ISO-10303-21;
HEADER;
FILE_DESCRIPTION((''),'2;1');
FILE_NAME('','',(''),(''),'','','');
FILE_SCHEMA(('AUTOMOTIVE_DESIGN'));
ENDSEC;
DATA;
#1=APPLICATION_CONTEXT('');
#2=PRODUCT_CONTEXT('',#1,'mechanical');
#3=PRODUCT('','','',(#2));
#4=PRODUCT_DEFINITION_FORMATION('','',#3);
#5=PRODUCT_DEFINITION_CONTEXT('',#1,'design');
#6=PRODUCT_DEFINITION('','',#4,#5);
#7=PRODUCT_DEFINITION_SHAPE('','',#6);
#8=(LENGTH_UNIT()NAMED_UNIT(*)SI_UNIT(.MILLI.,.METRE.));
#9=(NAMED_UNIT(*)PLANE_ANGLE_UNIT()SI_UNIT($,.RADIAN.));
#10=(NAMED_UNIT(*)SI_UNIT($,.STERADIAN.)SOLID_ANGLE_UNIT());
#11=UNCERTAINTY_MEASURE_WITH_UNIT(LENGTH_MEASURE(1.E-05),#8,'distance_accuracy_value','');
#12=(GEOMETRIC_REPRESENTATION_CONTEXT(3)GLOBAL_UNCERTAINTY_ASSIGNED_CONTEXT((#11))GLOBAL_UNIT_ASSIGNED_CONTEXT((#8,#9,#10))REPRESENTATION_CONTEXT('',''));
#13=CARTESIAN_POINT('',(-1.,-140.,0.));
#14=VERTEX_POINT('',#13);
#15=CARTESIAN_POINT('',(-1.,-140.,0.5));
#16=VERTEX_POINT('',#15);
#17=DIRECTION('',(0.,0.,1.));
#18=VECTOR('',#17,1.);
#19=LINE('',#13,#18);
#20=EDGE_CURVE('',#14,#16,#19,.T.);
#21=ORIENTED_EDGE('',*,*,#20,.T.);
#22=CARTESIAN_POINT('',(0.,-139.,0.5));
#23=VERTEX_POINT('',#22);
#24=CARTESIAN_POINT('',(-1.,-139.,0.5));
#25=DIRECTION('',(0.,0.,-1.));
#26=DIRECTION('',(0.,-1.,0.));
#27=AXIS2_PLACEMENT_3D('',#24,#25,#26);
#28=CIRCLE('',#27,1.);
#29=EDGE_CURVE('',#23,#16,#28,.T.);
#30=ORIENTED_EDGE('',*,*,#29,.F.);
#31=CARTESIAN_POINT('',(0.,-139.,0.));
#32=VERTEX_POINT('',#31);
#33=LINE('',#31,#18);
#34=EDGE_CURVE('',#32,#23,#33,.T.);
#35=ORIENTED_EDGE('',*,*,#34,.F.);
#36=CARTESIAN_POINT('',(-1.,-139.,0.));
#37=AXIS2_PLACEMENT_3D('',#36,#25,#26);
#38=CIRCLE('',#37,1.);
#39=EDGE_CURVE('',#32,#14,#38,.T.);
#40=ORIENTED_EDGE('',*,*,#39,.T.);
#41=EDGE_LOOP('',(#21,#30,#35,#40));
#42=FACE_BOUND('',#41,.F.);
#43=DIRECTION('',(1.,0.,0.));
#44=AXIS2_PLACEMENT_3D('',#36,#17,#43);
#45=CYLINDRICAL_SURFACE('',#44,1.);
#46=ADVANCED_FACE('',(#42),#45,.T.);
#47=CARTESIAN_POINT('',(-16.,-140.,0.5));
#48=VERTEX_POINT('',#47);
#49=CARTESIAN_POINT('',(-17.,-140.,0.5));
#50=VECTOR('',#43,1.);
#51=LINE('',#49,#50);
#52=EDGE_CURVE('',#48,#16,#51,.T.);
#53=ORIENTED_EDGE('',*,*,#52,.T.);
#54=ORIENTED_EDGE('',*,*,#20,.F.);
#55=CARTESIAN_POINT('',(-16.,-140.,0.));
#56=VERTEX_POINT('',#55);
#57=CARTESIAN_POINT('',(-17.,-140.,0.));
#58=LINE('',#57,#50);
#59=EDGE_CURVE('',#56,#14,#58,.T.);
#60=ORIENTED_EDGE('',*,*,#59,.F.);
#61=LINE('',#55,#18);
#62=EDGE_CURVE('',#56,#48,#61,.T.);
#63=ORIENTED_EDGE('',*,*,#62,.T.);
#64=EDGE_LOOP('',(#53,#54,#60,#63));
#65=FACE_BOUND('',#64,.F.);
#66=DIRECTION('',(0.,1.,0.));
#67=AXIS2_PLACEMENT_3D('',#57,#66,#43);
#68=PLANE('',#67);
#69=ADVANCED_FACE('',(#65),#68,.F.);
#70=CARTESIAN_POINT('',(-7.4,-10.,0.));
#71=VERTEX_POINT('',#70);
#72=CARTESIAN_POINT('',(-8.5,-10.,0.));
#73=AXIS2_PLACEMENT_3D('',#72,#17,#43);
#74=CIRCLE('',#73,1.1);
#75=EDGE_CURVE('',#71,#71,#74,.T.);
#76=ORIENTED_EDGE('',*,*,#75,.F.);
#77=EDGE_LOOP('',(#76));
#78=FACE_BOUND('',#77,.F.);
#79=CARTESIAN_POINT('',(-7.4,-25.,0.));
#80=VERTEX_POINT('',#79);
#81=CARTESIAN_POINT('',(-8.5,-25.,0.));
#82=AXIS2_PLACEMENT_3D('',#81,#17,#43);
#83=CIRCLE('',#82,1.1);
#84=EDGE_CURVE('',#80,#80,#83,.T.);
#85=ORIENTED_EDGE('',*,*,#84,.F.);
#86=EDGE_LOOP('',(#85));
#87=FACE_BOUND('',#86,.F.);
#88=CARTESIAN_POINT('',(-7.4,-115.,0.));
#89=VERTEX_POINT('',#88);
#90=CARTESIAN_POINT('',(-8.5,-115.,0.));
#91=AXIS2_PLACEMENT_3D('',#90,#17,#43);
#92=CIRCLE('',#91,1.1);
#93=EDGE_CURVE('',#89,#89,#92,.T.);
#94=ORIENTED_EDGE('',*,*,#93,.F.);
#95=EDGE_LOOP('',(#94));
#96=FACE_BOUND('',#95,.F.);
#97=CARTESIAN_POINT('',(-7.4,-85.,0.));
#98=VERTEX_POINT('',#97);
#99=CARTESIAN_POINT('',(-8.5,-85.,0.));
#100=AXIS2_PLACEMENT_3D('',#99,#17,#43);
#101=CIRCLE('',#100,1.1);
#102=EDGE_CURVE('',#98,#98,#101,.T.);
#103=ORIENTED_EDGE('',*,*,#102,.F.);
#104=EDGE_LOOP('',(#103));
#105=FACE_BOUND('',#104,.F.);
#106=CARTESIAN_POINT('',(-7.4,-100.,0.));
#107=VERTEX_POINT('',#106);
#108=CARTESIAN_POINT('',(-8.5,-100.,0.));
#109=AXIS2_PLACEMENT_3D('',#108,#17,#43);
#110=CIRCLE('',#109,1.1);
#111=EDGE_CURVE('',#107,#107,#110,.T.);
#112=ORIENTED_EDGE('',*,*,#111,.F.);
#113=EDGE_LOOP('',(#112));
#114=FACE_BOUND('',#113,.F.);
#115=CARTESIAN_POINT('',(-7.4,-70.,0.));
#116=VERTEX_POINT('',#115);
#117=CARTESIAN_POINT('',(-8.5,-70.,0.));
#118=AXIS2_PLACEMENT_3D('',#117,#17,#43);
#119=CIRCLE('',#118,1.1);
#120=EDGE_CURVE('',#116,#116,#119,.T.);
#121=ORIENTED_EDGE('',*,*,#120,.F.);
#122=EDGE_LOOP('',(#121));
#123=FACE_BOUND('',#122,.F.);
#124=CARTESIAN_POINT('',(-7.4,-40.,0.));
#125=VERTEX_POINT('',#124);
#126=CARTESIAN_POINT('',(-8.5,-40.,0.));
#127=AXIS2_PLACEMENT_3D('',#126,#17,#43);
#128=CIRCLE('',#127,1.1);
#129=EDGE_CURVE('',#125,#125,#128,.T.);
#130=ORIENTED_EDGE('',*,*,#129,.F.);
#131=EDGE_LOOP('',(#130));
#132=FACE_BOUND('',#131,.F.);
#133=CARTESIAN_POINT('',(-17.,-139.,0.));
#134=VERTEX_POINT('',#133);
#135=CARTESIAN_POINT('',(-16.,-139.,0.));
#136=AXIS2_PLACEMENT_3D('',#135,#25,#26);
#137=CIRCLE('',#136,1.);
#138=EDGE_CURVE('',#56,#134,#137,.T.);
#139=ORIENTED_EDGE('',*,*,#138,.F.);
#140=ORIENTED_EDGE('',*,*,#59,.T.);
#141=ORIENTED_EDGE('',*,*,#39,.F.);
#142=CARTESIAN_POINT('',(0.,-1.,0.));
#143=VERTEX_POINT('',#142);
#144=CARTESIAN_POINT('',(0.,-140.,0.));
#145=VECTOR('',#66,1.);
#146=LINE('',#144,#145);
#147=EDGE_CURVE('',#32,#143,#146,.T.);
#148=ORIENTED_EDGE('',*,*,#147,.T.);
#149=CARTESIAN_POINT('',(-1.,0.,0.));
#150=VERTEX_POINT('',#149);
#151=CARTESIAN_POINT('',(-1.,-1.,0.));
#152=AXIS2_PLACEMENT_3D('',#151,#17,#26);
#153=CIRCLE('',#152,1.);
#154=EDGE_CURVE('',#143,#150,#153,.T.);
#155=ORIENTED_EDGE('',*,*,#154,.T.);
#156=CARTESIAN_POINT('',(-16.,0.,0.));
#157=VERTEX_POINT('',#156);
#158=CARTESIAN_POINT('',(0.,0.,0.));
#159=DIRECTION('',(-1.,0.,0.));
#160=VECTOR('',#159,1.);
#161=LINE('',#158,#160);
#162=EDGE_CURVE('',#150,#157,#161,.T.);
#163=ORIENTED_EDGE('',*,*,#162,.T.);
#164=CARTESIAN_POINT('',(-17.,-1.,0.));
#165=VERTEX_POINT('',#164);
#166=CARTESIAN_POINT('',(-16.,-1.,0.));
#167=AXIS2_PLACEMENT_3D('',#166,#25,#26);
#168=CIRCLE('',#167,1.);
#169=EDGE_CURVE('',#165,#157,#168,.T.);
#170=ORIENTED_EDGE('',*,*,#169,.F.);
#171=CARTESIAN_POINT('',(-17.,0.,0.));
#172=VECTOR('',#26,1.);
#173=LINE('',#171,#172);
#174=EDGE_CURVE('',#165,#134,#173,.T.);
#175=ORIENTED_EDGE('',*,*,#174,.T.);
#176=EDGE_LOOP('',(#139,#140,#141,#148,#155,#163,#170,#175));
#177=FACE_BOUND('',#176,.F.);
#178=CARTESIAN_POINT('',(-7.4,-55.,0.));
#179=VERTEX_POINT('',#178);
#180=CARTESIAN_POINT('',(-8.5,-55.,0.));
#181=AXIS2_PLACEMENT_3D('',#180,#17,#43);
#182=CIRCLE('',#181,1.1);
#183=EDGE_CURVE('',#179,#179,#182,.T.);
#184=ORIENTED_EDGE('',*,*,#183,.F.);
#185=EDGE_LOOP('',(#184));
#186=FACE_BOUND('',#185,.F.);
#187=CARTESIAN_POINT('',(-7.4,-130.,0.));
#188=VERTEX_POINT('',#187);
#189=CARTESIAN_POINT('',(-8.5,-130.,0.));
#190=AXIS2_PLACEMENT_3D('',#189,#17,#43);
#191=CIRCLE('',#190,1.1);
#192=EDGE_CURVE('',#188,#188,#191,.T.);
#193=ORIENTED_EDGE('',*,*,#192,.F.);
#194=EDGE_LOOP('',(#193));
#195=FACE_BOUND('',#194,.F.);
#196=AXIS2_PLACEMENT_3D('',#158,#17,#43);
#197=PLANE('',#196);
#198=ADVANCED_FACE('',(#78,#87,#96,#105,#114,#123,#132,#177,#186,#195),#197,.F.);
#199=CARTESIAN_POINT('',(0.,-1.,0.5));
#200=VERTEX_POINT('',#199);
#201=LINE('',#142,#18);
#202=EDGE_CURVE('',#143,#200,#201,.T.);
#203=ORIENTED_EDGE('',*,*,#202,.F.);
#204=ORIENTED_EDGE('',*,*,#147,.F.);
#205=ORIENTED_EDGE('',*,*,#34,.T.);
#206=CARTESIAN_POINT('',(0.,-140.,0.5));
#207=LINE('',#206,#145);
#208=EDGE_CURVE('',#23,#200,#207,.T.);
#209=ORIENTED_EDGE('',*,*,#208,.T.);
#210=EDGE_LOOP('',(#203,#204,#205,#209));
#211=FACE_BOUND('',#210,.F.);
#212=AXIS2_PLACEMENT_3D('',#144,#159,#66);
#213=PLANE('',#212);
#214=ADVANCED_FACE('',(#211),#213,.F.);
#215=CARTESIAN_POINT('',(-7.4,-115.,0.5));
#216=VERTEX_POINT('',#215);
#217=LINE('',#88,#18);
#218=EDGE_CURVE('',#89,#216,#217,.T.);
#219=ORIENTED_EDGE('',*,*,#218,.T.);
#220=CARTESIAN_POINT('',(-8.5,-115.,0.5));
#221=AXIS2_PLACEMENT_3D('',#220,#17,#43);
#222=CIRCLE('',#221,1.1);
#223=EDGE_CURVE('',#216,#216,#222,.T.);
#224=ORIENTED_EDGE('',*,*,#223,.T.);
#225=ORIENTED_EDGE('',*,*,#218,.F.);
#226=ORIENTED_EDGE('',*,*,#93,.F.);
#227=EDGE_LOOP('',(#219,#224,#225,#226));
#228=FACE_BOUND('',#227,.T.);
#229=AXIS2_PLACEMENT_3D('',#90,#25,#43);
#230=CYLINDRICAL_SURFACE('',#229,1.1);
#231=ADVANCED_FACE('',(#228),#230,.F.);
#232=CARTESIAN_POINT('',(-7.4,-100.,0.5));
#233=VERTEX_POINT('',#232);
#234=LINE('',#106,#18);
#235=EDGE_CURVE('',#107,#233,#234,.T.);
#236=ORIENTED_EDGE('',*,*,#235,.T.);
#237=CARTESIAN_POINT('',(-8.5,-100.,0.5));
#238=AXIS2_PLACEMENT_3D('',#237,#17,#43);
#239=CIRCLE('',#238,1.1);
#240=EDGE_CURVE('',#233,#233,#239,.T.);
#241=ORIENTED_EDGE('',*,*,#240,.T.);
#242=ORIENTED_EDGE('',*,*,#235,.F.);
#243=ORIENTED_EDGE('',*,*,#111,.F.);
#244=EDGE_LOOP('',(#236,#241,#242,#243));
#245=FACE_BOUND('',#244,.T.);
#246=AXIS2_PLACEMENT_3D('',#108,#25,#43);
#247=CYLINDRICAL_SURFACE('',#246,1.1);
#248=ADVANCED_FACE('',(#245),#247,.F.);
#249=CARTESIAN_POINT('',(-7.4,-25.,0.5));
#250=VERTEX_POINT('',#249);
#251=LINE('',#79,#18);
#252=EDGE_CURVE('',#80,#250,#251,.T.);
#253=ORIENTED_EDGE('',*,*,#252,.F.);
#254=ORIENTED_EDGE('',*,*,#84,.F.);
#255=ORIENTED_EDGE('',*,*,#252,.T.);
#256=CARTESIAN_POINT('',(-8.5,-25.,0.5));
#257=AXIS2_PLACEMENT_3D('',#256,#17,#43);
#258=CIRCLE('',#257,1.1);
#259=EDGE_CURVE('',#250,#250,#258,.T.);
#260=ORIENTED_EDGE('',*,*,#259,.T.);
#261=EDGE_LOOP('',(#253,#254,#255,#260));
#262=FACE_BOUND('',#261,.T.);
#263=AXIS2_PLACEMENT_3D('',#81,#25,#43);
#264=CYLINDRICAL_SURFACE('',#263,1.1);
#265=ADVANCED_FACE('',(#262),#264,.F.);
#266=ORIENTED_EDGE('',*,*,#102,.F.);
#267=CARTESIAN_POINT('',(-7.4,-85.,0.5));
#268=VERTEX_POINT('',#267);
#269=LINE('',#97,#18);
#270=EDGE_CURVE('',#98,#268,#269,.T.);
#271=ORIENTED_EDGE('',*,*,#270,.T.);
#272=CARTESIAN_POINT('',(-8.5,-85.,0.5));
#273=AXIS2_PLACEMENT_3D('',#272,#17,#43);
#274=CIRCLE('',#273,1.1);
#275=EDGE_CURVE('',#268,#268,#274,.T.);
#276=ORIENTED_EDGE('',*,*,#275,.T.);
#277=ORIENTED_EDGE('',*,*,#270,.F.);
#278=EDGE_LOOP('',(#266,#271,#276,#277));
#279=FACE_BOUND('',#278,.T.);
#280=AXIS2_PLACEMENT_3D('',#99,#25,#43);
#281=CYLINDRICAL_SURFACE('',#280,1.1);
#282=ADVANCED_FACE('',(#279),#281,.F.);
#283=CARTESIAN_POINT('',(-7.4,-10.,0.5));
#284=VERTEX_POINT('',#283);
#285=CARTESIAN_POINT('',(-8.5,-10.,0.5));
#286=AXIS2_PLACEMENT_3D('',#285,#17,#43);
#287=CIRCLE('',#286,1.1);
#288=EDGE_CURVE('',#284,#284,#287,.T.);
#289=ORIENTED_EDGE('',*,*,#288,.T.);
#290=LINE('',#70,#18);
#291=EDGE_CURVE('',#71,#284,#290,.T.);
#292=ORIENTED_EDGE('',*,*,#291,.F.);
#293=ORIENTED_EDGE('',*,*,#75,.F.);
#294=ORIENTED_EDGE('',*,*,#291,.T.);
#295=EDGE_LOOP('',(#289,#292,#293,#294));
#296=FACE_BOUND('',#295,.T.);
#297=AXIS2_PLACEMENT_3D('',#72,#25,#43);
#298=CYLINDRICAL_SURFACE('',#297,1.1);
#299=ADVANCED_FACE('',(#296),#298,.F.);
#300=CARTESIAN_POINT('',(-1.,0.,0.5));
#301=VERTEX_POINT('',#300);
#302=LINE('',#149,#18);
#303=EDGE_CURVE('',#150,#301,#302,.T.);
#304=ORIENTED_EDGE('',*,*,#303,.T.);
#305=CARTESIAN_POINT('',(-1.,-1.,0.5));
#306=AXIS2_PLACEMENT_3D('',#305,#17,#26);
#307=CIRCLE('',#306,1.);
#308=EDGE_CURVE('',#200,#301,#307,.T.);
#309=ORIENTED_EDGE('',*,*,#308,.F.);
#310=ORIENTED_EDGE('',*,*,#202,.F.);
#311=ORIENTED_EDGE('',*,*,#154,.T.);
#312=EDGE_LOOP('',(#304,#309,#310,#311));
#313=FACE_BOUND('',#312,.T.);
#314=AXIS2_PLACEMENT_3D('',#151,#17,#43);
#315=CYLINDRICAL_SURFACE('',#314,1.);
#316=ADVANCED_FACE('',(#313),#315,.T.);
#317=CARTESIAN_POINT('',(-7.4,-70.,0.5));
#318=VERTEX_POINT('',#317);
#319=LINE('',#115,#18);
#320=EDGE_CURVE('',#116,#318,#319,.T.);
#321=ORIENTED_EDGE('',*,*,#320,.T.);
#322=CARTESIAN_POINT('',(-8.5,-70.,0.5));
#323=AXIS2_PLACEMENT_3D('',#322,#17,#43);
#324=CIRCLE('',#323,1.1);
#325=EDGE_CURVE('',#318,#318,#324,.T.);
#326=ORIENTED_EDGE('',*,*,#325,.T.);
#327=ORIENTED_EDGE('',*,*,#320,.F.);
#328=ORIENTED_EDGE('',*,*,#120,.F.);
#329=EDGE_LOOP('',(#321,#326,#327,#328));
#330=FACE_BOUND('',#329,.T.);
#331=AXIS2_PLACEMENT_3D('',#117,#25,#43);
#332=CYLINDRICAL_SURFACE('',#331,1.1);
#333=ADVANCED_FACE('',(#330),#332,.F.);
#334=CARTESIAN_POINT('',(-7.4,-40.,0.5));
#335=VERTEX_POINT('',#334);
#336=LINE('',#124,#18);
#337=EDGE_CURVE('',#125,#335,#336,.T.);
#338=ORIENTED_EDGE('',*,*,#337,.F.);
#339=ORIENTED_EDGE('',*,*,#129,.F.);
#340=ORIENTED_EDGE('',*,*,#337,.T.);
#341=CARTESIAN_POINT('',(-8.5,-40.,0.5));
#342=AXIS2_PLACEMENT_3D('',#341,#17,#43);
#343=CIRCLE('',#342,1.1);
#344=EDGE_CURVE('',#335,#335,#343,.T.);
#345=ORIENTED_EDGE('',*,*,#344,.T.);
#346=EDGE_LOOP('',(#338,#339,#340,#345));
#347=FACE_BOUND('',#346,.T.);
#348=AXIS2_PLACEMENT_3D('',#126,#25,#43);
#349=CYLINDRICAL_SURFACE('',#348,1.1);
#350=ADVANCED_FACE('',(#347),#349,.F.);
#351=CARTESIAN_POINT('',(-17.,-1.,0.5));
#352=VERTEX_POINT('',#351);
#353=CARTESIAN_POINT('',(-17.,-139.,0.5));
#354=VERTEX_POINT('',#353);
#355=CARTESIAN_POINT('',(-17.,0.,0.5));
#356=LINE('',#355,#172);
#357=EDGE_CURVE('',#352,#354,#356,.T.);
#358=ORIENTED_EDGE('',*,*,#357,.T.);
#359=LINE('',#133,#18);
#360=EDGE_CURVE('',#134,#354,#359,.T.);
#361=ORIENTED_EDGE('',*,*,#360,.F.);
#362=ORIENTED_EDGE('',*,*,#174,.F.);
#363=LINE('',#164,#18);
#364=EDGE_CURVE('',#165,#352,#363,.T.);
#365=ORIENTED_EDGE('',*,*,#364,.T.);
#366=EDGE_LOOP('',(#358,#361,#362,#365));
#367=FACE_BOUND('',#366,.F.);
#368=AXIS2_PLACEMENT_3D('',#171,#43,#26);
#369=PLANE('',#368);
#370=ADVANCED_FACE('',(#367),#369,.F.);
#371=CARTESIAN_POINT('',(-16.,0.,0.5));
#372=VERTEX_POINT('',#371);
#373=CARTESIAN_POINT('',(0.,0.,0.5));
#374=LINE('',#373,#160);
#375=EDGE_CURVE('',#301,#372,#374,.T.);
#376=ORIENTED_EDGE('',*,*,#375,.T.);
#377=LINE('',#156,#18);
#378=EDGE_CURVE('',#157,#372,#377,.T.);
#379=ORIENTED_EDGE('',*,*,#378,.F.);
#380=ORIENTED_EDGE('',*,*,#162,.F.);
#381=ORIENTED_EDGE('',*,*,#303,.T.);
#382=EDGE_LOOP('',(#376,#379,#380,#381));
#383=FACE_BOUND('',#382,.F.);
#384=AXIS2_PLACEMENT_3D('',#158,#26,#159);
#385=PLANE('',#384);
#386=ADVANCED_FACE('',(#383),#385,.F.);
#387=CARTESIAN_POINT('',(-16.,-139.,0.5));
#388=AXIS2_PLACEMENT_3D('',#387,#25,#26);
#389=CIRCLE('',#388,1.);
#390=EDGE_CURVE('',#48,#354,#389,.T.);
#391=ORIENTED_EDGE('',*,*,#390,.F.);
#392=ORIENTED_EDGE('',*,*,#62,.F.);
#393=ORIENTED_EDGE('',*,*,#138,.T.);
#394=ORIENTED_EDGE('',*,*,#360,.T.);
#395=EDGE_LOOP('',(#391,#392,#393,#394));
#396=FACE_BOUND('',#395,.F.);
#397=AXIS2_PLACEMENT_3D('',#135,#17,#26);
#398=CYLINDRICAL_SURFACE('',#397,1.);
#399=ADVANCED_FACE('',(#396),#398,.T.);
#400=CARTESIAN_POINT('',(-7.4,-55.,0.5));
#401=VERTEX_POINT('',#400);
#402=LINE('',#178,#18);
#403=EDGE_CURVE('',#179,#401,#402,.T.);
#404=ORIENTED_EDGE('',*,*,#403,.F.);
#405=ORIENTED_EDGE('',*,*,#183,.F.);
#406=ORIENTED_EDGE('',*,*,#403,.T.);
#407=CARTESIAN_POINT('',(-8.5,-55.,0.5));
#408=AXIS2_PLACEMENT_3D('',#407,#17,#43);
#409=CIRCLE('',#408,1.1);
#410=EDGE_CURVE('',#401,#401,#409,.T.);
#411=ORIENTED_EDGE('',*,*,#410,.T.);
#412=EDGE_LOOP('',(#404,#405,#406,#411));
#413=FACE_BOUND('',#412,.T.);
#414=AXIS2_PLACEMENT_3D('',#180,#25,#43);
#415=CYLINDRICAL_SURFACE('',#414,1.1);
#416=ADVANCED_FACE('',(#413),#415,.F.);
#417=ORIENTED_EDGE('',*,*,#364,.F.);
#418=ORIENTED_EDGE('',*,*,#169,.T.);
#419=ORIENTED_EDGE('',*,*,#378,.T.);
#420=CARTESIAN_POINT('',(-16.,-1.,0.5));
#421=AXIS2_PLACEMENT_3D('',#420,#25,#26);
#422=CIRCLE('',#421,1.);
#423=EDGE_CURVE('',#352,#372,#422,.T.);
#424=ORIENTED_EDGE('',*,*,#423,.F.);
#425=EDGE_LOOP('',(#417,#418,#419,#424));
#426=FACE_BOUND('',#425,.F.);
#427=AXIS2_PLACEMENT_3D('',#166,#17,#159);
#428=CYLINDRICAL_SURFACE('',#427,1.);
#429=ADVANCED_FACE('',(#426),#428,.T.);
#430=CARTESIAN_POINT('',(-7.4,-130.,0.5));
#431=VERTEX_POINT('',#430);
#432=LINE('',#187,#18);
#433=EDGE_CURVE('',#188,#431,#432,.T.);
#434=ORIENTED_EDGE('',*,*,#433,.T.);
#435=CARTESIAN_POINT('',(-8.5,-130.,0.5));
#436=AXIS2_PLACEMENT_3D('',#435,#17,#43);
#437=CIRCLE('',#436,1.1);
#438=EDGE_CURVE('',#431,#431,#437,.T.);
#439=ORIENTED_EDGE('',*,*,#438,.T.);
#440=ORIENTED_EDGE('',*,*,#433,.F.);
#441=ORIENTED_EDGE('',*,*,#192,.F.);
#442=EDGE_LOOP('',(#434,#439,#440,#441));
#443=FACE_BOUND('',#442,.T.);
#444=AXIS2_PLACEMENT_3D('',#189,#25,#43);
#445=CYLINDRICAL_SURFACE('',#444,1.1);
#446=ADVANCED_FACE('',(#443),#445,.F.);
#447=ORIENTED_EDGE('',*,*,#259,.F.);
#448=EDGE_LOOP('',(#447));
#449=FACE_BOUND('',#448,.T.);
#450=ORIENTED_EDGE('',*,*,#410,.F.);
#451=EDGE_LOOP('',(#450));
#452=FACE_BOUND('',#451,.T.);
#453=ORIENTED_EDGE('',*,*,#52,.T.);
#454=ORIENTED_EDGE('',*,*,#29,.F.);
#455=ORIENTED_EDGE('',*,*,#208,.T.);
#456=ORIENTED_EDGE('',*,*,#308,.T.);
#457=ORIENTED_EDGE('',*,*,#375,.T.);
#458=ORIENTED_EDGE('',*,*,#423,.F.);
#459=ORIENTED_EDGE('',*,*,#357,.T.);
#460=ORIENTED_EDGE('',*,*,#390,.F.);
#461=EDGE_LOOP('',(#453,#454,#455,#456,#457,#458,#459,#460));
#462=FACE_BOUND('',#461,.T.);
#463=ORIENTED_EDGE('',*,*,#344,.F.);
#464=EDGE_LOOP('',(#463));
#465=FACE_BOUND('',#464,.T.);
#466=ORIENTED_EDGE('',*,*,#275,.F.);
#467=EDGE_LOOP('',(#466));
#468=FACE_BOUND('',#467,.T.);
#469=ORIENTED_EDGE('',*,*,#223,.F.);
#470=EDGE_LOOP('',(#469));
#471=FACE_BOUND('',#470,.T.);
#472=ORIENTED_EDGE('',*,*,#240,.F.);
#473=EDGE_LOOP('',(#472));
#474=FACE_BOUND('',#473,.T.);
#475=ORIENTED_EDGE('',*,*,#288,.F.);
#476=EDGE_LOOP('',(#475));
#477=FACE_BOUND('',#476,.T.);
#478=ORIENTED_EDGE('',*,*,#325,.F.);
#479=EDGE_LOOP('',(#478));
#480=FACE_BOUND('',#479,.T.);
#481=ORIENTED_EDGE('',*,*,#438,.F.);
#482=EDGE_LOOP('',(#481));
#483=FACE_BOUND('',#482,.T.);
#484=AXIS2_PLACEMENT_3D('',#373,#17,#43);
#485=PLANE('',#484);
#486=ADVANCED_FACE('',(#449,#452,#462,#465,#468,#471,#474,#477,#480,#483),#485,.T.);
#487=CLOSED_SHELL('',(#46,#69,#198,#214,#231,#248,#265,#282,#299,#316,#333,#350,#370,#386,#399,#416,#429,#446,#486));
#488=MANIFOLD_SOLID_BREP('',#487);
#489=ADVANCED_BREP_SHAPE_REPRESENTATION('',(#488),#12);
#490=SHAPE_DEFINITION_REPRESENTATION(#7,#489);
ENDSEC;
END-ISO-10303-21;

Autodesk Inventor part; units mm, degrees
ref_plane "YZ Plane" through (0, 0, 0) normal (1, 0, 0) x (0, 1, 0)
ref_plane "XZ Plane" through (0, 0, 0) normal (0, 1, 0) x (-1, 0, 0)
ref_plane "XY Plane" through (0, 0, 0) normal (0, 0, 1) x (1, 0, 0)
sketch "スケッチ1" plane through (0, 0, 0) normal (0, 0, 1) x (1, 0, 0)
  line L0 (0, 0) -> (-17, 0)
  line L1 (-17, 0) -> (-17, -140)
  line L2 (-17, -140) -> (0, -140)
  line L3 (0, -140) -> (0, 0)
  circle A0 centre (-8.5, -130) radius 1.1
  circle A1 centre (-8.5, -115) radius 1.1
  circle A2 centre (-8.5, -100) radius 1.1
  circle A3 centre (-8.5, -85) radius 1.1
  circle A4 centre (-8.5, -70) radius 1.1
  circle A5 centre (-8.5, -55) radius 1.1
  circle A6 centre (-8.5, -40) radius 1.1
  circle A7 centre (-8.5, -25) radius 1.1
  circle A8 centre (-8.5, -10) radius 1.1
  dimension "d0" = 140
  dimension "d1" = 17
  dimension "d2" = 2.2
  dimension "d3" = 10
  dimension "d4" = 8.5
  dimension "d7" = 15
extrude "押し出し1" add sketch "スケッチ1" along normal blind 0.5
fillet "フィレット1" radius 1 4 edges at (-17, -140, 0.25) (0, -140, 0.25) (0, 0, 0.25) (-17, 0, 0.25)
equation "\"d4\" = 0.5 * d1"
properties part number "Old-sheet"
